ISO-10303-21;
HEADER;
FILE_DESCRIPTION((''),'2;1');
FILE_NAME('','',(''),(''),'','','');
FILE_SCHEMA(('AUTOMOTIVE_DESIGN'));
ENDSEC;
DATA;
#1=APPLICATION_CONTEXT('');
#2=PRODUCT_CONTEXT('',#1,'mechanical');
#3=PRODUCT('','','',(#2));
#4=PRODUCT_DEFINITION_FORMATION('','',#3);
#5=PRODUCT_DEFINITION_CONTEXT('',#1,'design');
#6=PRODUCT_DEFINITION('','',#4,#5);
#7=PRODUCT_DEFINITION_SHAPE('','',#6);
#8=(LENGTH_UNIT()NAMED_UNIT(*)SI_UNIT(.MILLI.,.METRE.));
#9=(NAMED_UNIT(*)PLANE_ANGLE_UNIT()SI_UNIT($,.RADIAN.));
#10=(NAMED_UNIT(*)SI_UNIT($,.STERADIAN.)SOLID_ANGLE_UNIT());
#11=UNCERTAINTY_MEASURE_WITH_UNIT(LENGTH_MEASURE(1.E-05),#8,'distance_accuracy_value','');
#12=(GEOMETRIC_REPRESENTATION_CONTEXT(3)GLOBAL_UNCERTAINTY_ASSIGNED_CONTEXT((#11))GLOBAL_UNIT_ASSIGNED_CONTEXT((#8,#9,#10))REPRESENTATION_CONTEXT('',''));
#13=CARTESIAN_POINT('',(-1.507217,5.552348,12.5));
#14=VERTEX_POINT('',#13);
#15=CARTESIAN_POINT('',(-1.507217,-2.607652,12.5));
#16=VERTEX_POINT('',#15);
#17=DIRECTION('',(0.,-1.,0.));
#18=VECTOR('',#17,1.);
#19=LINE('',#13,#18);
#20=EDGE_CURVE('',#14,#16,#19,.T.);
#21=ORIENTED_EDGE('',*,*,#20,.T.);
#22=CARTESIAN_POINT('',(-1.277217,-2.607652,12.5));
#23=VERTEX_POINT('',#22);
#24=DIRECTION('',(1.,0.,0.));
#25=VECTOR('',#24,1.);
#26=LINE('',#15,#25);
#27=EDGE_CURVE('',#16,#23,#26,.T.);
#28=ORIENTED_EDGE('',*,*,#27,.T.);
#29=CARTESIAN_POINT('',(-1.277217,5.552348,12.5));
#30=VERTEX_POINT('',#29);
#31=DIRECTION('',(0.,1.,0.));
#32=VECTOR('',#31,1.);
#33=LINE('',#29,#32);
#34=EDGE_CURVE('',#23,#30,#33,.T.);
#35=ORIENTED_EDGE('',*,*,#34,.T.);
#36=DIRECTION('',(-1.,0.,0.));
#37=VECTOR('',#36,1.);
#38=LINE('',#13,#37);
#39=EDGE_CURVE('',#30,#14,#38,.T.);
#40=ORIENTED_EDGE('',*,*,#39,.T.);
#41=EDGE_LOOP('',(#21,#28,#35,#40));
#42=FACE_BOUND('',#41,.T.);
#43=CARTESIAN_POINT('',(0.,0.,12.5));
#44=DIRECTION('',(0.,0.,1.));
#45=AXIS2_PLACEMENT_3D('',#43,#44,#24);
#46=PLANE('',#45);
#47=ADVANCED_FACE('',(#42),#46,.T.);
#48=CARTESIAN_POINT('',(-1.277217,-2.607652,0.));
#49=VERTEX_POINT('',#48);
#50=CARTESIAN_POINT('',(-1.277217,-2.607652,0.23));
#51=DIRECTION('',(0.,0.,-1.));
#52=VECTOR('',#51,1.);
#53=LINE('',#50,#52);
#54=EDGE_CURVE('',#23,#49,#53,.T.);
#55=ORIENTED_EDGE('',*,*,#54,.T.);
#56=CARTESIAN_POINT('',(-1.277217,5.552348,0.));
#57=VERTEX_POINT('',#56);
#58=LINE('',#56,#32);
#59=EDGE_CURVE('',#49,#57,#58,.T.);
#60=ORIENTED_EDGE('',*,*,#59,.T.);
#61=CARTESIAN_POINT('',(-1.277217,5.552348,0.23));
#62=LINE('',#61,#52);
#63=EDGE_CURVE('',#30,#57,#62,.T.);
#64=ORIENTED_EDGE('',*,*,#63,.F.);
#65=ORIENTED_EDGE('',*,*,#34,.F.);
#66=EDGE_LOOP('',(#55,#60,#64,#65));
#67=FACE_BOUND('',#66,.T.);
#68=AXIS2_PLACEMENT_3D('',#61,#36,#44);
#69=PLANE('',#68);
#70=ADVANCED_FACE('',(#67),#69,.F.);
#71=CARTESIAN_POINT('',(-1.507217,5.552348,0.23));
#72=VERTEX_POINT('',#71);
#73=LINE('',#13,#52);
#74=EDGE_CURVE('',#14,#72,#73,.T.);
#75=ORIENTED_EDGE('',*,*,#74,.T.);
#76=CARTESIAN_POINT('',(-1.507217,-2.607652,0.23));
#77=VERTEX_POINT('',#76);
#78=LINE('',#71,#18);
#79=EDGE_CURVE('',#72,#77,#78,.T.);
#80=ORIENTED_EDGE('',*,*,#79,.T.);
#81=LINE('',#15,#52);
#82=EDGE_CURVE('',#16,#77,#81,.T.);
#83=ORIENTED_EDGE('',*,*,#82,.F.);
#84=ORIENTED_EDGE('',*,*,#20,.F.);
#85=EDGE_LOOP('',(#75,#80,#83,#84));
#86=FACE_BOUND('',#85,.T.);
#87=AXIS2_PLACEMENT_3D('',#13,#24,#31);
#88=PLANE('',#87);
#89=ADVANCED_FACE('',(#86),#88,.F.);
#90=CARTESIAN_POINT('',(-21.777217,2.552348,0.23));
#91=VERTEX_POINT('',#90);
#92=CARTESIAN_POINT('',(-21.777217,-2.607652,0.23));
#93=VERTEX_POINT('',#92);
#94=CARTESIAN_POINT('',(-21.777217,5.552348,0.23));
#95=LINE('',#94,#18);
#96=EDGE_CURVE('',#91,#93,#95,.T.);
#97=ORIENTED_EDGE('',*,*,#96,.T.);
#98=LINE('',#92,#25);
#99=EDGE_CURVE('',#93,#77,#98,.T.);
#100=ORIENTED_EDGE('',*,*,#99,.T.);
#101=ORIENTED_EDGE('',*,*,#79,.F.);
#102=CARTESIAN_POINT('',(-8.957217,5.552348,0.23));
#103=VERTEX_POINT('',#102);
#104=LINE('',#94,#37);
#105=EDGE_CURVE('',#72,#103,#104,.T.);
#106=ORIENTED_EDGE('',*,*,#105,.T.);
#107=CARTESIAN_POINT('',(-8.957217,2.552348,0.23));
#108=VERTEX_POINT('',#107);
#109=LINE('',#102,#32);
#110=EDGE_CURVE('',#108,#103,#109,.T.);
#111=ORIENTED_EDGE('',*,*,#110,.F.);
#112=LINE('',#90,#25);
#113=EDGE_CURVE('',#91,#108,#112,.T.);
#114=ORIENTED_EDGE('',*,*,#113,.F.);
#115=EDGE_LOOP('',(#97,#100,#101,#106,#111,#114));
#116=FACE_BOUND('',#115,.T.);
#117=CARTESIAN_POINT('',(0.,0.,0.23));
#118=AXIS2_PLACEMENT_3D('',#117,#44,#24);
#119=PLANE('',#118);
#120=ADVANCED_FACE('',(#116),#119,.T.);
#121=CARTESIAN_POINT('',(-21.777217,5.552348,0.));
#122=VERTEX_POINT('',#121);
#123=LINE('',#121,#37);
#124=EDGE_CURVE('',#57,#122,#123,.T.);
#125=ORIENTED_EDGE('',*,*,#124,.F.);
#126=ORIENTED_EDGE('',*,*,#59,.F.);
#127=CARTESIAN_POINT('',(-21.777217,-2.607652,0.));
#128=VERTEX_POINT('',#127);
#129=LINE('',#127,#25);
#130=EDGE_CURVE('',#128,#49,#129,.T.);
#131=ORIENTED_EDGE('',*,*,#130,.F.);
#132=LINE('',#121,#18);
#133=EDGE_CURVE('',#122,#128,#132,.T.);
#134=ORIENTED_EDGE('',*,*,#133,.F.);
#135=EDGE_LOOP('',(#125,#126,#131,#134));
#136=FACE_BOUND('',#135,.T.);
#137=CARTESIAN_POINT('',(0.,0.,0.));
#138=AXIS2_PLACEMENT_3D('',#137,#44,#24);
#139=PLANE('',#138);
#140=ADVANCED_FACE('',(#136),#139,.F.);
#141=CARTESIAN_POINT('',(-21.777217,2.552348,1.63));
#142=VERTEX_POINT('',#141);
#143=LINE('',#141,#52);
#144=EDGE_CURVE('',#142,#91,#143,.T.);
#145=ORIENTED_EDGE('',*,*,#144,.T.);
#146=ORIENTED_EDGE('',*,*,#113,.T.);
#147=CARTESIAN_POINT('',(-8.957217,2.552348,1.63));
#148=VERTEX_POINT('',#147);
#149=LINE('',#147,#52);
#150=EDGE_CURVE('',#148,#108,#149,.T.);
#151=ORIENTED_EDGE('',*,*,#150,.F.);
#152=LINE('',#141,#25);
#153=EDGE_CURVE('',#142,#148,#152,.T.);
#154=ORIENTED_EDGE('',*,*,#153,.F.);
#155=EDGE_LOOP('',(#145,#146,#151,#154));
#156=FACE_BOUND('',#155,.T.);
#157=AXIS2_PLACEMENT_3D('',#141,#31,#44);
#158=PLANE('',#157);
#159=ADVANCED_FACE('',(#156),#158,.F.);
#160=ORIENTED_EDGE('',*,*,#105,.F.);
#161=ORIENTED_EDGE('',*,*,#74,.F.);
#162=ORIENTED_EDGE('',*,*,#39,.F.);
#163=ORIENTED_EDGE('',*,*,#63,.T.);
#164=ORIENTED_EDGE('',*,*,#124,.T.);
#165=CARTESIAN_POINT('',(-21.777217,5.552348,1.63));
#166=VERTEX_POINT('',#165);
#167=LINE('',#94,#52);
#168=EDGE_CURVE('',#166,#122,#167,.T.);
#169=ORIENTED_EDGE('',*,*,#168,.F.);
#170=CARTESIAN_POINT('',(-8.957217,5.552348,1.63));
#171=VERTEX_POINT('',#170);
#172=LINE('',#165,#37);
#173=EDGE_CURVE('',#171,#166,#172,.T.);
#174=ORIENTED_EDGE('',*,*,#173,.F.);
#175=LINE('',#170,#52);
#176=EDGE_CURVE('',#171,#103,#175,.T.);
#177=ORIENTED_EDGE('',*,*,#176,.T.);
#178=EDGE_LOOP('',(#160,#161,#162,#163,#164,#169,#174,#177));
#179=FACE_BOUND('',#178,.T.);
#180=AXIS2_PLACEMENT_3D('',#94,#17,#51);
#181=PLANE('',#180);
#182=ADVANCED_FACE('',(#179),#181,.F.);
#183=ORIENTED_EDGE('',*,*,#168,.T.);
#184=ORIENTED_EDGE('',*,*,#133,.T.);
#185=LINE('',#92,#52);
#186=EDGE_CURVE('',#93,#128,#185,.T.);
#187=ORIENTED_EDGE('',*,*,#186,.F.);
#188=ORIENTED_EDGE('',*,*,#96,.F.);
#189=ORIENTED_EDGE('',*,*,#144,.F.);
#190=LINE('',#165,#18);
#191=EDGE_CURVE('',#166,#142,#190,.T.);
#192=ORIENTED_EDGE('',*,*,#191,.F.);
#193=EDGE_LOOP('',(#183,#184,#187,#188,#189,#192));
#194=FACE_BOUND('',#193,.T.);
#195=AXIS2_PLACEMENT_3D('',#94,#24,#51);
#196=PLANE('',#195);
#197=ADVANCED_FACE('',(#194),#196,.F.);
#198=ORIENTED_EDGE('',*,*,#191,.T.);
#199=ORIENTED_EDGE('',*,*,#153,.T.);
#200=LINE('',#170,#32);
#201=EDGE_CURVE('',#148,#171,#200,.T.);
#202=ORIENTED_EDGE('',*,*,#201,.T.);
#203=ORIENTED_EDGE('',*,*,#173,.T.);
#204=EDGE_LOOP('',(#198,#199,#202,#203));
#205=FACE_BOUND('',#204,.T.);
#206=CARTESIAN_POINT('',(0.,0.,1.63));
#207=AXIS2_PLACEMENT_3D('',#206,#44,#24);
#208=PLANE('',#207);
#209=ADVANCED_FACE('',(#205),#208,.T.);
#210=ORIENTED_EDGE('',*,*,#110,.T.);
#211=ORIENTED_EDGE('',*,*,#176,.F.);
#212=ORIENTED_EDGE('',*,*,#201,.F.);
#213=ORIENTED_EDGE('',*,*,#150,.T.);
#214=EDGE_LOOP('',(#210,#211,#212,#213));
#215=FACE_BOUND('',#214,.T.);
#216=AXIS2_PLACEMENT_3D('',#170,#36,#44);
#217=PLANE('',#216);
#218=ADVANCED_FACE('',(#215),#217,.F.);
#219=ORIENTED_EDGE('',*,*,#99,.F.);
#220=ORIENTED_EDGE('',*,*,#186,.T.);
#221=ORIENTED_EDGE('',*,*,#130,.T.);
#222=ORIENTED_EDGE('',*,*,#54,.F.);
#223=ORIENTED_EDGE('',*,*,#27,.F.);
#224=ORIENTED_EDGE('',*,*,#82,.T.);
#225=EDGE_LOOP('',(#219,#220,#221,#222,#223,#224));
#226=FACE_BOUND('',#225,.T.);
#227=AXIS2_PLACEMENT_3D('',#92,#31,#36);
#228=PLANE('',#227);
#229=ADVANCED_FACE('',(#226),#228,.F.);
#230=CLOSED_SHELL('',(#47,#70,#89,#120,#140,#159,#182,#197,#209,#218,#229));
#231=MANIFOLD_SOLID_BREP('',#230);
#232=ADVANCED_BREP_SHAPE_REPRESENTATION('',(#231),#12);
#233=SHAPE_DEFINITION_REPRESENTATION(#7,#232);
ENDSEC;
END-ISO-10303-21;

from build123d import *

# Parameters (mm, degrees)
SKETCH_1_W      = 20.5
SKETCH_1_H      = 8.16
EXTRUDE_1_DEPTH = 0.23
SKETCH_2_W      = 12.82
SKETCH_2_H      = 3
EXTRUDE_2_DEPTH = 1.4
SKETCH_3_W      = 0.23
SKETCH_3_H      = 8.16
EXTRUDE_3_DEPTH = 12.27


with BuildPart() as part:
    # 草图1 → 凸台-拉伸1 (new body)
    with BuildSketch(Plane.XY):
        with Locations((-11.527217391, 1.472347826)):
            Rectangle(SKETCH_1_W, SKETCH_1_H)
    extrude(amount=EXTRUDE_1_DEPTH)

    # 草图2 → 凸台-拉伸2 (add)
    with BuildSketch(Plane.XY.offset(0.23)):
        with Locations((-15.367217391, 4.052347826)):
            Rectangle(SKETCH_2_W, SKETCH_2_H)
    extrude(amount=EXTRUDE_2_DEPTH)

    # 草图3 → 凸台-拉伸3 (add)
    with BuildSketch(Plane.XY.offset(0.23)):
        with Locations((-1.392217391, 1.472347826)):
            Rectangle(SKETCH_3_W, SKETCH_3_H)
    extrude(amount=EXTRUDE_3_DEPTH)


solid = part.part
